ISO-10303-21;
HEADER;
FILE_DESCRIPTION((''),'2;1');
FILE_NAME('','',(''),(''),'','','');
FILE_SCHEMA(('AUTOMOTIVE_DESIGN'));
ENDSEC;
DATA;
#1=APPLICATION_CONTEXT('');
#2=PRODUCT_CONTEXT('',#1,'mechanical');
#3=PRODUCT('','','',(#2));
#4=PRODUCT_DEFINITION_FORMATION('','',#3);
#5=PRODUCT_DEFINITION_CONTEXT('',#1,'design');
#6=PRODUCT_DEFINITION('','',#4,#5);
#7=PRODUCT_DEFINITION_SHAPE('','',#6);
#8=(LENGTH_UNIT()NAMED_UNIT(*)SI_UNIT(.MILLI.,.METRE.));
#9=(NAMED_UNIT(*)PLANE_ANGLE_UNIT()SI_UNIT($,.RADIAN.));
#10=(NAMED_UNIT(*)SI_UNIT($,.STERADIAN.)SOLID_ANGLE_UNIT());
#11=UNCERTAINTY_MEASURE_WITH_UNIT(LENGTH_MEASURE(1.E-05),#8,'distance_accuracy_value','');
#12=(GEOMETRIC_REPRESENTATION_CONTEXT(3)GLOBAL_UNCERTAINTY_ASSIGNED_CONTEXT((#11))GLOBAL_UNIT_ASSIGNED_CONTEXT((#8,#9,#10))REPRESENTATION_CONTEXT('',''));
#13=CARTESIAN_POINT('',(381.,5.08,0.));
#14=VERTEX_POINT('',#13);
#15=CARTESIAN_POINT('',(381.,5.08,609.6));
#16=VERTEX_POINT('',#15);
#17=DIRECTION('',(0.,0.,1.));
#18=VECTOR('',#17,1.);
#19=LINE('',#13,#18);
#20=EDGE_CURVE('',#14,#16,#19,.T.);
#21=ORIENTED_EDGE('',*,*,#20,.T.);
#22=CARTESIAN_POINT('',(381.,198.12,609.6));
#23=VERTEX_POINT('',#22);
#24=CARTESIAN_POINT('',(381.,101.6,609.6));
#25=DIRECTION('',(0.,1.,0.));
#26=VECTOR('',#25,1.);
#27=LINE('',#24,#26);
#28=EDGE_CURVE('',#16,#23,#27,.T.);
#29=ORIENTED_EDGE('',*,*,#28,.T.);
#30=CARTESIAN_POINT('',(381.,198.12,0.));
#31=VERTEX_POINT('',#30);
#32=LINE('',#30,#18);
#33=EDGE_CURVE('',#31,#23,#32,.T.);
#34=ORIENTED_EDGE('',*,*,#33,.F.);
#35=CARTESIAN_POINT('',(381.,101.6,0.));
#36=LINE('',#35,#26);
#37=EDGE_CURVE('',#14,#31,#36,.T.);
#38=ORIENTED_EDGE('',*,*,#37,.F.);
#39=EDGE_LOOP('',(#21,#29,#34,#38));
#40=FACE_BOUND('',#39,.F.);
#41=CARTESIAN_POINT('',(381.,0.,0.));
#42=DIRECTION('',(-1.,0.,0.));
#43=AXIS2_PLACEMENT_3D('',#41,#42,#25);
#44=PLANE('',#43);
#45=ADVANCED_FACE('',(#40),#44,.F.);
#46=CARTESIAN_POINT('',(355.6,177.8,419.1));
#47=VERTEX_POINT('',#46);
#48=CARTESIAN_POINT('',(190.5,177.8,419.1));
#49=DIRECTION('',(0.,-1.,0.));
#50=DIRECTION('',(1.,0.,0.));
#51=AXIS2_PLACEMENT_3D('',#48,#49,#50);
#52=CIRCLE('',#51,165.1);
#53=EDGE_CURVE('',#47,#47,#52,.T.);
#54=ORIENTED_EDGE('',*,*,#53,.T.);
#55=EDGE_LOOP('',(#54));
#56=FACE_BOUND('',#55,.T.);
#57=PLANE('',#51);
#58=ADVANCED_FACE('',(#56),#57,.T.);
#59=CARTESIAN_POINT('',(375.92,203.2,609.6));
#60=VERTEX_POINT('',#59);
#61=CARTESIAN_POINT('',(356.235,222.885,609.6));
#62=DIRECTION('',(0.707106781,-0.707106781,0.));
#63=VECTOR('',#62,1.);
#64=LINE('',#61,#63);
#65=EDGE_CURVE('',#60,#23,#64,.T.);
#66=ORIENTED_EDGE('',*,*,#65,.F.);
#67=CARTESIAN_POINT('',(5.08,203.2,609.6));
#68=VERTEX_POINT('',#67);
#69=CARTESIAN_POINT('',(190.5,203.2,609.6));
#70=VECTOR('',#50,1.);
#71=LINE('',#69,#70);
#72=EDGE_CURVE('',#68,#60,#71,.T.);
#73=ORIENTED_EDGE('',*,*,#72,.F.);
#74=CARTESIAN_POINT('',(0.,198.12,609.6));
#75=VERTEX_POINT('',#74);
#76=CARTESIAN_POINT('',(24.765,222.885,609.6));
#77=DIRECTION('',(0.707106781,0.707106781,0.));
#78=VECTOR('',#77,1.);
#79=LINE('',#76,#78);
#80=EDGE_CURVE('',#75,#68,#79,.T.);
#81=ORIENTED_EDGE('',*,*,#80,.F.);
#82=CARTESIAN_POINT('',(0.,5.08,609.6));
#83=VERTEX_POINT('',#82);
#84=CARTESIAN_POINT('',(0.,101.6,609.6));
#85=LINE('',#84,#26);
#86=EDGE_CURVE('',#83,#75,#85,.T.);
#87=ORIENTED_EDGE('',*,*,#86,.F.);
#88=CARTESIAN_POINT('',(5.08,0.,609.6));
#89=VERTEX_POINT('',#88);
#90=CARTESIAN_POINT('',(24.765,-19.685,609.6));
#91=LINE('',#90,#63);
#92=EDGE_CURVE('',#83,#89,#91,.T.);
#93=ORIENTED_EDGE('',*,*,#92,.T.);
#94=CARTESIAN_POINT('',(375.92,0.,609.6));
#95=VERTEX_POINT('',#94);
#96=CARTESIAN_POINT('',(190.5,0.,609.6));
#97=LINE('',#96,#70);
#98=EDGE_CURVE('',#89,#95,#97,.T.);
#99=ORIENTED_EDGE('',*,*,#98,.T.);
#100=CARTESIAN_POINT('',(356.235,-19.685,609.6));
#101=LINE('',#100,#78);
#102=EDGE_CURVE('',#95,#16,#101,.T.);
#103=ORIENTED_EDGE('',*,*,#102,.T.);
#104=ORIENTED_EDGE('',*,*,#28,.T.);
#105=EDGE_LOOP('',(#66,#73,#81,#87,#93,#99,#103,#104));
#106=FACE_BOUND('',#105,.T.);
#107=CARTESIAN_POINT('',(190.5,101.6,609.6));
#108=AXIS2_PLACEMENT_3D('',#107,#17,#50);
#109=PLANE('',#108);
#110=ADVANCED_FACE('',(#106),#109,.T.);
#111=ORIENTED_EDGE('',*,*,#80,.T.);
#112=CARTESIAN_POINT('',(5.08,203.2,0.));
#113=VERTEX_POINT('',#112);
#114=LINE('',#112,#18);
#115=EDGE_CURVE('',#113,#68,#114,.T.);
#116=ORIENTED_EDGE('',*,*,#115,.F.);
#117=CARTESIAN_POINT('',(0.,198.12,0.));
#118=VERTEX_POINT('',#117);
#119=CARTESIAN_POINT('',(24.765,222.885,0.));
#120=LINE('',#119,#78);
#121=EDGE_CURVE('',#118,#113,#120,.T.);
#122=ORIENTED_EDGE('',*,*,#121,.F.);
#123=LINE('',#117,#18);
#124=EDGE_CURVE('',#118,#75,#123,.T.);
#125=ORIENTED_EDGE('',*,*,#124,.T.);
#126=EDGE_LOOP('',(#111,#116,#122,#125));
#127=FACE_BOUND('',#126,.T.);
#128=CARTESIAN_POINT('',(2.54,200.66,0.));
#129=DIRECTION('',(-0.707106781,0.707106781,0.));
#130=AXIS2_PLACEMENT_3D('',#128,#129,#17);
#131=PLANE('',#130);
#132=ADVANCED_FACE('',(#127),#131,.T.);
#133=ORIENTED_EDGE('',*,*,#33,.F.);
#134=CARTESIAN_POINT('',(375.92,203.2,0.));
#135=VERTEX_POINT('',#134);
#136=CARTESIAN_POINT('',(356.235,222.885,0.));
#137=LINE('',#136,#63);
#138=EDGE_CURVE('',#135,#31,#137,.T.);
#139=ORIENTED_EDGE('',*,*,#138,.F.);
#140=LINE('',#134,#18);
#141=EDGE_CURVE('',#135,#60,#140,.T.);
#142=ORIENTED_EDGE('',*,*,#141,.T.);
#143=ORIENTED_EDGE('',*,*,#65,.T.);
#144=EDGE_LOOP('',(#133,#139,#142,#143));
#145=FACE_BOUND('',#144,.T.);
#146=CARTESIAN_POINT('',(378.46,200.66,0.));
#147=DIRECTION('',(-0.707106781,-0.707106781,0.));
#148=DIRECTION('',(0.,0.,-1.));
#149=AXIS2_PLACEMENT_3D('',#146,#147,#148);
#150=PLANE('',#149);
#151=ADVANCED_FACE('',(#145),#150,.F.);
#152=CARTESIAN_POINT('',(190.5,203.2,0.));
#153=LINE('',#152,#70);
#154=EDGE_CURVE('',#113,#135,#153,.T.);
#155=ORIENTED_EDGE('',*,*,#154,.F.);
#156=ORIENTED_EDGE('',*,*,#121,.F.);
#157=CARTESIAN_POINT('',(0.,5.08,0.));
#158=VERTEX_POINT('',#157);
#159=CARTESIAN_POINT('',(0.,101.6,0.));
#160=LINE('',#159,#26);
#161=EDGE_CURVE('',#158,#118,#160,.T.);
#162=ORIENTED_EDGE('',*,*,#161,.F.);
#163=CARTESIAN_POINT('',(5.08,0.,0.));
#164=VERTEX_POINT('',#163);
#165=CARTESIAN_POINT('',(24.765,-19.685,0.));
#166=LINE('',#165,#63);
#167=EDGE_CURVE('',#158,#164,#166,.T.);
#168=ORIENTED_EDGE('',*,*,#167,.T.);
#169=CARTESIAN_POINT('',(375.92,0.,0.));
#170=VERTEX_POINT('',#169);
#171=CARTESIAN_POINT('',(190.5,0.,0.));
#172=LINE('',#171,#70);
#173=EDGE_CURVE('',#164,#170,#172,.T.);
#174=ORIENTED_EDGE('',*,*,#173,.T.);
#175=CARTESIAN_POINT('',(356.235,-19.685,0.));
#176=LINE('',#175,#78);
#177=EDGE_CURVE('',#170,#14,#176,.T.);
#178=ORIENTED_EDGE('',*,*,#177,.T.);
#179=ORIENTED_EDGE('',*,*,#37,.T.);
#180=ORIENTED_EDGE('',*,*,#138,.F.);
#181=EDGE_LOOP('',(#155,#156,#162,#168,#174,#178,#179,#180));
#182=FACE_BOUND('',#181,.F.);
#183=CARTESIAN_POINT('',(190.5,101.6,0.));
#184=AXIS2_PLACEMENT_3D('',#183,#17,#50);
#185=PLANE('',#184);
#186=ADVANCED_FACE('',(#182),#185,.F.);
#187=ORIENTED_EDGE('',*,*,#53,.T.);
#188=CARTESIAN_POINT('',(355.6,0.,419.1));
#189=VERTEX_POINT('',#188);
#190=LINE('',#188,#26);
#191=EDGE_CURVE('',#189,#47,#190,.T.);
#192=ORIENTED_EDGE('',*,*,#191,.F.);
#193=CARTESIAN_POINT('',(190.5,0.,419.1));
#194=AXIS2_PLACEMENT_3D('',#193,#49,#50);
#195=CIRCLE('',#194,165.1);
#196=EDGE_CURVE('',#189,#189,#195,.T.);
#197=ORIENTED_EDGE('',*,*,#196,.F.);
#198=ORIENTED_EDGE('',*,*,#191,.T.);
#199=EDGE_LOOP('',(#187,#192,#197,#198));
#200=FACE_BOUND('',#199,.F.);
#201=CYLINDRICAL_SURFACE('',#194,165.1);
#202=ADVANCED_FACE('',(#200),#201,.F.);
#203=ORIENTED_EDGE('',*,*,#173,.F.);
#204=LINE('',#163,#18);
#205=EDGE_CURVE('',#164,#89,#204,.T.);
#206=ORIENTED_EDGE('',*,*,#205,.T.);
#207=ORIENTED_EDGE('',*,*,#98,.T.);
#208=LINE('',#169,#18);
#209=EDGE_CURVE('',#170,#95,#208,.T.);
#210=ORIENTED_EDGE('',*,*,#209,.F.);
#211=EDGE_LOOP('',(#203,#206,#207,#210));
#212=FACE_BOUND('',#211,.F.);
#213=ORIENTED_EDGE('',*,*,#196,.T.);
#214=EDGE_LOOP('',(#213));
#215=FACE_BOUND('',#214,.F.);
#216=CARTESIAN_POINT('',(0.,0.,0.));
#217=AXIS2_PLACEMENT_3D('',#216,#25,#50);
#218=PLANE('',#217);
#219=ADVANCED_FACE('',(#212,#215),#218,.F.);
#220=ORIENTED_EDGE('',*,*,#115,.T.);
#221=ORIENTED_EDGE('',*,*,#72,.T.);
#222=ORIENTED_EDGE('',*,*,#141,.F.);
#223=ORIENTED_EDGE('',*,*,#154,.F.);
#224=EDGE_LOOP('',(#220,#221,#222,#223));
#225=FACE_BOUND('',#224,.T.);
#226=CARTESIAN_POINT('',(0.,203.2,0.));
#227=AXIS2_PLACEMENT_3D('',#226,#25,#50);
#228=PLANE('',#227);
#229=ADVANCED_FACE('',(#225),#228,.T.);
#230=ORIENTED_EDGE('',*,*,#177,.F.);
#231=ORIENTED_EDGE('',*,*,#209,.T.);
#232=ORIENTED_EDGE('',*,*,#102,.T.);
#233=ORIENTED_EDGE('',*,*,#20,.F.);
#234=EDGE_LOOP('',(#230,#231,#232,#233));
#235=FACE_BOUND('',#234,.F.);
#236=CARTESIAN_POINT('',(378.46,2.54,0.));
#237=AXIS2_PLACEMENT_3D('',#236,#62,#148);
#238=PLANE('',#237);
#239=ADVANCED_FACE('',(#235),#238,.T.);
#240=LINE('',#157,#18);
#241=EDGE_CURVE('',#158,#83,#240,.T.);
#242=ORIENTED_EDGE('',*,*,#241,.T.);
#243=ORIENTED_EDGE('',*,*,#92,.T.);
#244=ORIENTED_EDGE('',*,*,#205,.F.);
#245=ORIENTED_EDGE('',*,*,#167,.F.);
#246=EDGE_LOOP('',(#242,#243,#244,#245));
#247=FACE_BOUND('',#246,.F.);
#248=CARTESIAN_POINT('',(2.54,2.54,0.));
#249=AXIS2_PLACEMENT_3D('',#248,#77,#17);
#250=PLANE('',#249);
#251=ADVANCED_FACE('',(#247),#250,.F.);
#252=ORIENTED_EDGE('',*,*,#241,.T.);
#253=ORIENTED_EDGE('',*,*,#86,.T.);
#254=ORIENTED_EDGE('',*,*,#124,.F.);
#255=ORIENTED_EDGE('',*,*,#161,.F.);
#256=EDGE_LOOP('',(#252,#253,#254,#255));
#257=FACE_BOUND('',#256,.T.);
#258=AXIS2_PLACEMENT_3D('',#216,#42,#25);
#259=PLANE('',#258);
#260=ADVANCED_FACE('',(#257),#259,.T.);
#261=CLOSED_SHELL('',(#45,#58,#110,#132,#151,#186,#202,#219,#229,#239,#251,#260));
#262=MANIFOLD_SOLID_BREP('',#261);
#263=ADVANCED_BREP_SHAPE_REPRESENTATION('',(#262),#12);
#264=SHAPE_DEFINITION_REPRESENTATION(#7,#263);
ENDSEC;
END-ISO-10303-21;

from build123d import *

# Parameters (mm, degrees)
F0_W     = 381
F0_H     = 203.2
F1_DEPTH = 609.6
F2_R     = 165.1
F3_DEPTH = 177.8
F4_SIZE  = 5.08


with BuildPart() as f1:
    # F0 (on Top) → F1 (new body)
    with BuildSketch(Plane.XY):
        with Locations((190.5, 101.6)):
            Rectangle(F0_W, F0_H)
    extrude(amount=F1_DEPTH)

    # F2 (on face) → F3 (cut)
    with BuildSketch(Plane.XZ):
        with Locations((190.5, 419.1)):
            Circle(F2_R)
    extrude(amount=-F3_DEPTH, mode=Mode.SUBTRACT)

    # F4
    f4_edges = [f1.edges().sort_by_distance(p)[0] for p in [
        (0, 203.2, 304.8),
        (0, 0, 304.8),
        (381, 0, 304.8),
        (381, 203.2, 304.8),
    ]]
    chamfer(f4_edges, length=F4_SIZE)


solid = f1.part
